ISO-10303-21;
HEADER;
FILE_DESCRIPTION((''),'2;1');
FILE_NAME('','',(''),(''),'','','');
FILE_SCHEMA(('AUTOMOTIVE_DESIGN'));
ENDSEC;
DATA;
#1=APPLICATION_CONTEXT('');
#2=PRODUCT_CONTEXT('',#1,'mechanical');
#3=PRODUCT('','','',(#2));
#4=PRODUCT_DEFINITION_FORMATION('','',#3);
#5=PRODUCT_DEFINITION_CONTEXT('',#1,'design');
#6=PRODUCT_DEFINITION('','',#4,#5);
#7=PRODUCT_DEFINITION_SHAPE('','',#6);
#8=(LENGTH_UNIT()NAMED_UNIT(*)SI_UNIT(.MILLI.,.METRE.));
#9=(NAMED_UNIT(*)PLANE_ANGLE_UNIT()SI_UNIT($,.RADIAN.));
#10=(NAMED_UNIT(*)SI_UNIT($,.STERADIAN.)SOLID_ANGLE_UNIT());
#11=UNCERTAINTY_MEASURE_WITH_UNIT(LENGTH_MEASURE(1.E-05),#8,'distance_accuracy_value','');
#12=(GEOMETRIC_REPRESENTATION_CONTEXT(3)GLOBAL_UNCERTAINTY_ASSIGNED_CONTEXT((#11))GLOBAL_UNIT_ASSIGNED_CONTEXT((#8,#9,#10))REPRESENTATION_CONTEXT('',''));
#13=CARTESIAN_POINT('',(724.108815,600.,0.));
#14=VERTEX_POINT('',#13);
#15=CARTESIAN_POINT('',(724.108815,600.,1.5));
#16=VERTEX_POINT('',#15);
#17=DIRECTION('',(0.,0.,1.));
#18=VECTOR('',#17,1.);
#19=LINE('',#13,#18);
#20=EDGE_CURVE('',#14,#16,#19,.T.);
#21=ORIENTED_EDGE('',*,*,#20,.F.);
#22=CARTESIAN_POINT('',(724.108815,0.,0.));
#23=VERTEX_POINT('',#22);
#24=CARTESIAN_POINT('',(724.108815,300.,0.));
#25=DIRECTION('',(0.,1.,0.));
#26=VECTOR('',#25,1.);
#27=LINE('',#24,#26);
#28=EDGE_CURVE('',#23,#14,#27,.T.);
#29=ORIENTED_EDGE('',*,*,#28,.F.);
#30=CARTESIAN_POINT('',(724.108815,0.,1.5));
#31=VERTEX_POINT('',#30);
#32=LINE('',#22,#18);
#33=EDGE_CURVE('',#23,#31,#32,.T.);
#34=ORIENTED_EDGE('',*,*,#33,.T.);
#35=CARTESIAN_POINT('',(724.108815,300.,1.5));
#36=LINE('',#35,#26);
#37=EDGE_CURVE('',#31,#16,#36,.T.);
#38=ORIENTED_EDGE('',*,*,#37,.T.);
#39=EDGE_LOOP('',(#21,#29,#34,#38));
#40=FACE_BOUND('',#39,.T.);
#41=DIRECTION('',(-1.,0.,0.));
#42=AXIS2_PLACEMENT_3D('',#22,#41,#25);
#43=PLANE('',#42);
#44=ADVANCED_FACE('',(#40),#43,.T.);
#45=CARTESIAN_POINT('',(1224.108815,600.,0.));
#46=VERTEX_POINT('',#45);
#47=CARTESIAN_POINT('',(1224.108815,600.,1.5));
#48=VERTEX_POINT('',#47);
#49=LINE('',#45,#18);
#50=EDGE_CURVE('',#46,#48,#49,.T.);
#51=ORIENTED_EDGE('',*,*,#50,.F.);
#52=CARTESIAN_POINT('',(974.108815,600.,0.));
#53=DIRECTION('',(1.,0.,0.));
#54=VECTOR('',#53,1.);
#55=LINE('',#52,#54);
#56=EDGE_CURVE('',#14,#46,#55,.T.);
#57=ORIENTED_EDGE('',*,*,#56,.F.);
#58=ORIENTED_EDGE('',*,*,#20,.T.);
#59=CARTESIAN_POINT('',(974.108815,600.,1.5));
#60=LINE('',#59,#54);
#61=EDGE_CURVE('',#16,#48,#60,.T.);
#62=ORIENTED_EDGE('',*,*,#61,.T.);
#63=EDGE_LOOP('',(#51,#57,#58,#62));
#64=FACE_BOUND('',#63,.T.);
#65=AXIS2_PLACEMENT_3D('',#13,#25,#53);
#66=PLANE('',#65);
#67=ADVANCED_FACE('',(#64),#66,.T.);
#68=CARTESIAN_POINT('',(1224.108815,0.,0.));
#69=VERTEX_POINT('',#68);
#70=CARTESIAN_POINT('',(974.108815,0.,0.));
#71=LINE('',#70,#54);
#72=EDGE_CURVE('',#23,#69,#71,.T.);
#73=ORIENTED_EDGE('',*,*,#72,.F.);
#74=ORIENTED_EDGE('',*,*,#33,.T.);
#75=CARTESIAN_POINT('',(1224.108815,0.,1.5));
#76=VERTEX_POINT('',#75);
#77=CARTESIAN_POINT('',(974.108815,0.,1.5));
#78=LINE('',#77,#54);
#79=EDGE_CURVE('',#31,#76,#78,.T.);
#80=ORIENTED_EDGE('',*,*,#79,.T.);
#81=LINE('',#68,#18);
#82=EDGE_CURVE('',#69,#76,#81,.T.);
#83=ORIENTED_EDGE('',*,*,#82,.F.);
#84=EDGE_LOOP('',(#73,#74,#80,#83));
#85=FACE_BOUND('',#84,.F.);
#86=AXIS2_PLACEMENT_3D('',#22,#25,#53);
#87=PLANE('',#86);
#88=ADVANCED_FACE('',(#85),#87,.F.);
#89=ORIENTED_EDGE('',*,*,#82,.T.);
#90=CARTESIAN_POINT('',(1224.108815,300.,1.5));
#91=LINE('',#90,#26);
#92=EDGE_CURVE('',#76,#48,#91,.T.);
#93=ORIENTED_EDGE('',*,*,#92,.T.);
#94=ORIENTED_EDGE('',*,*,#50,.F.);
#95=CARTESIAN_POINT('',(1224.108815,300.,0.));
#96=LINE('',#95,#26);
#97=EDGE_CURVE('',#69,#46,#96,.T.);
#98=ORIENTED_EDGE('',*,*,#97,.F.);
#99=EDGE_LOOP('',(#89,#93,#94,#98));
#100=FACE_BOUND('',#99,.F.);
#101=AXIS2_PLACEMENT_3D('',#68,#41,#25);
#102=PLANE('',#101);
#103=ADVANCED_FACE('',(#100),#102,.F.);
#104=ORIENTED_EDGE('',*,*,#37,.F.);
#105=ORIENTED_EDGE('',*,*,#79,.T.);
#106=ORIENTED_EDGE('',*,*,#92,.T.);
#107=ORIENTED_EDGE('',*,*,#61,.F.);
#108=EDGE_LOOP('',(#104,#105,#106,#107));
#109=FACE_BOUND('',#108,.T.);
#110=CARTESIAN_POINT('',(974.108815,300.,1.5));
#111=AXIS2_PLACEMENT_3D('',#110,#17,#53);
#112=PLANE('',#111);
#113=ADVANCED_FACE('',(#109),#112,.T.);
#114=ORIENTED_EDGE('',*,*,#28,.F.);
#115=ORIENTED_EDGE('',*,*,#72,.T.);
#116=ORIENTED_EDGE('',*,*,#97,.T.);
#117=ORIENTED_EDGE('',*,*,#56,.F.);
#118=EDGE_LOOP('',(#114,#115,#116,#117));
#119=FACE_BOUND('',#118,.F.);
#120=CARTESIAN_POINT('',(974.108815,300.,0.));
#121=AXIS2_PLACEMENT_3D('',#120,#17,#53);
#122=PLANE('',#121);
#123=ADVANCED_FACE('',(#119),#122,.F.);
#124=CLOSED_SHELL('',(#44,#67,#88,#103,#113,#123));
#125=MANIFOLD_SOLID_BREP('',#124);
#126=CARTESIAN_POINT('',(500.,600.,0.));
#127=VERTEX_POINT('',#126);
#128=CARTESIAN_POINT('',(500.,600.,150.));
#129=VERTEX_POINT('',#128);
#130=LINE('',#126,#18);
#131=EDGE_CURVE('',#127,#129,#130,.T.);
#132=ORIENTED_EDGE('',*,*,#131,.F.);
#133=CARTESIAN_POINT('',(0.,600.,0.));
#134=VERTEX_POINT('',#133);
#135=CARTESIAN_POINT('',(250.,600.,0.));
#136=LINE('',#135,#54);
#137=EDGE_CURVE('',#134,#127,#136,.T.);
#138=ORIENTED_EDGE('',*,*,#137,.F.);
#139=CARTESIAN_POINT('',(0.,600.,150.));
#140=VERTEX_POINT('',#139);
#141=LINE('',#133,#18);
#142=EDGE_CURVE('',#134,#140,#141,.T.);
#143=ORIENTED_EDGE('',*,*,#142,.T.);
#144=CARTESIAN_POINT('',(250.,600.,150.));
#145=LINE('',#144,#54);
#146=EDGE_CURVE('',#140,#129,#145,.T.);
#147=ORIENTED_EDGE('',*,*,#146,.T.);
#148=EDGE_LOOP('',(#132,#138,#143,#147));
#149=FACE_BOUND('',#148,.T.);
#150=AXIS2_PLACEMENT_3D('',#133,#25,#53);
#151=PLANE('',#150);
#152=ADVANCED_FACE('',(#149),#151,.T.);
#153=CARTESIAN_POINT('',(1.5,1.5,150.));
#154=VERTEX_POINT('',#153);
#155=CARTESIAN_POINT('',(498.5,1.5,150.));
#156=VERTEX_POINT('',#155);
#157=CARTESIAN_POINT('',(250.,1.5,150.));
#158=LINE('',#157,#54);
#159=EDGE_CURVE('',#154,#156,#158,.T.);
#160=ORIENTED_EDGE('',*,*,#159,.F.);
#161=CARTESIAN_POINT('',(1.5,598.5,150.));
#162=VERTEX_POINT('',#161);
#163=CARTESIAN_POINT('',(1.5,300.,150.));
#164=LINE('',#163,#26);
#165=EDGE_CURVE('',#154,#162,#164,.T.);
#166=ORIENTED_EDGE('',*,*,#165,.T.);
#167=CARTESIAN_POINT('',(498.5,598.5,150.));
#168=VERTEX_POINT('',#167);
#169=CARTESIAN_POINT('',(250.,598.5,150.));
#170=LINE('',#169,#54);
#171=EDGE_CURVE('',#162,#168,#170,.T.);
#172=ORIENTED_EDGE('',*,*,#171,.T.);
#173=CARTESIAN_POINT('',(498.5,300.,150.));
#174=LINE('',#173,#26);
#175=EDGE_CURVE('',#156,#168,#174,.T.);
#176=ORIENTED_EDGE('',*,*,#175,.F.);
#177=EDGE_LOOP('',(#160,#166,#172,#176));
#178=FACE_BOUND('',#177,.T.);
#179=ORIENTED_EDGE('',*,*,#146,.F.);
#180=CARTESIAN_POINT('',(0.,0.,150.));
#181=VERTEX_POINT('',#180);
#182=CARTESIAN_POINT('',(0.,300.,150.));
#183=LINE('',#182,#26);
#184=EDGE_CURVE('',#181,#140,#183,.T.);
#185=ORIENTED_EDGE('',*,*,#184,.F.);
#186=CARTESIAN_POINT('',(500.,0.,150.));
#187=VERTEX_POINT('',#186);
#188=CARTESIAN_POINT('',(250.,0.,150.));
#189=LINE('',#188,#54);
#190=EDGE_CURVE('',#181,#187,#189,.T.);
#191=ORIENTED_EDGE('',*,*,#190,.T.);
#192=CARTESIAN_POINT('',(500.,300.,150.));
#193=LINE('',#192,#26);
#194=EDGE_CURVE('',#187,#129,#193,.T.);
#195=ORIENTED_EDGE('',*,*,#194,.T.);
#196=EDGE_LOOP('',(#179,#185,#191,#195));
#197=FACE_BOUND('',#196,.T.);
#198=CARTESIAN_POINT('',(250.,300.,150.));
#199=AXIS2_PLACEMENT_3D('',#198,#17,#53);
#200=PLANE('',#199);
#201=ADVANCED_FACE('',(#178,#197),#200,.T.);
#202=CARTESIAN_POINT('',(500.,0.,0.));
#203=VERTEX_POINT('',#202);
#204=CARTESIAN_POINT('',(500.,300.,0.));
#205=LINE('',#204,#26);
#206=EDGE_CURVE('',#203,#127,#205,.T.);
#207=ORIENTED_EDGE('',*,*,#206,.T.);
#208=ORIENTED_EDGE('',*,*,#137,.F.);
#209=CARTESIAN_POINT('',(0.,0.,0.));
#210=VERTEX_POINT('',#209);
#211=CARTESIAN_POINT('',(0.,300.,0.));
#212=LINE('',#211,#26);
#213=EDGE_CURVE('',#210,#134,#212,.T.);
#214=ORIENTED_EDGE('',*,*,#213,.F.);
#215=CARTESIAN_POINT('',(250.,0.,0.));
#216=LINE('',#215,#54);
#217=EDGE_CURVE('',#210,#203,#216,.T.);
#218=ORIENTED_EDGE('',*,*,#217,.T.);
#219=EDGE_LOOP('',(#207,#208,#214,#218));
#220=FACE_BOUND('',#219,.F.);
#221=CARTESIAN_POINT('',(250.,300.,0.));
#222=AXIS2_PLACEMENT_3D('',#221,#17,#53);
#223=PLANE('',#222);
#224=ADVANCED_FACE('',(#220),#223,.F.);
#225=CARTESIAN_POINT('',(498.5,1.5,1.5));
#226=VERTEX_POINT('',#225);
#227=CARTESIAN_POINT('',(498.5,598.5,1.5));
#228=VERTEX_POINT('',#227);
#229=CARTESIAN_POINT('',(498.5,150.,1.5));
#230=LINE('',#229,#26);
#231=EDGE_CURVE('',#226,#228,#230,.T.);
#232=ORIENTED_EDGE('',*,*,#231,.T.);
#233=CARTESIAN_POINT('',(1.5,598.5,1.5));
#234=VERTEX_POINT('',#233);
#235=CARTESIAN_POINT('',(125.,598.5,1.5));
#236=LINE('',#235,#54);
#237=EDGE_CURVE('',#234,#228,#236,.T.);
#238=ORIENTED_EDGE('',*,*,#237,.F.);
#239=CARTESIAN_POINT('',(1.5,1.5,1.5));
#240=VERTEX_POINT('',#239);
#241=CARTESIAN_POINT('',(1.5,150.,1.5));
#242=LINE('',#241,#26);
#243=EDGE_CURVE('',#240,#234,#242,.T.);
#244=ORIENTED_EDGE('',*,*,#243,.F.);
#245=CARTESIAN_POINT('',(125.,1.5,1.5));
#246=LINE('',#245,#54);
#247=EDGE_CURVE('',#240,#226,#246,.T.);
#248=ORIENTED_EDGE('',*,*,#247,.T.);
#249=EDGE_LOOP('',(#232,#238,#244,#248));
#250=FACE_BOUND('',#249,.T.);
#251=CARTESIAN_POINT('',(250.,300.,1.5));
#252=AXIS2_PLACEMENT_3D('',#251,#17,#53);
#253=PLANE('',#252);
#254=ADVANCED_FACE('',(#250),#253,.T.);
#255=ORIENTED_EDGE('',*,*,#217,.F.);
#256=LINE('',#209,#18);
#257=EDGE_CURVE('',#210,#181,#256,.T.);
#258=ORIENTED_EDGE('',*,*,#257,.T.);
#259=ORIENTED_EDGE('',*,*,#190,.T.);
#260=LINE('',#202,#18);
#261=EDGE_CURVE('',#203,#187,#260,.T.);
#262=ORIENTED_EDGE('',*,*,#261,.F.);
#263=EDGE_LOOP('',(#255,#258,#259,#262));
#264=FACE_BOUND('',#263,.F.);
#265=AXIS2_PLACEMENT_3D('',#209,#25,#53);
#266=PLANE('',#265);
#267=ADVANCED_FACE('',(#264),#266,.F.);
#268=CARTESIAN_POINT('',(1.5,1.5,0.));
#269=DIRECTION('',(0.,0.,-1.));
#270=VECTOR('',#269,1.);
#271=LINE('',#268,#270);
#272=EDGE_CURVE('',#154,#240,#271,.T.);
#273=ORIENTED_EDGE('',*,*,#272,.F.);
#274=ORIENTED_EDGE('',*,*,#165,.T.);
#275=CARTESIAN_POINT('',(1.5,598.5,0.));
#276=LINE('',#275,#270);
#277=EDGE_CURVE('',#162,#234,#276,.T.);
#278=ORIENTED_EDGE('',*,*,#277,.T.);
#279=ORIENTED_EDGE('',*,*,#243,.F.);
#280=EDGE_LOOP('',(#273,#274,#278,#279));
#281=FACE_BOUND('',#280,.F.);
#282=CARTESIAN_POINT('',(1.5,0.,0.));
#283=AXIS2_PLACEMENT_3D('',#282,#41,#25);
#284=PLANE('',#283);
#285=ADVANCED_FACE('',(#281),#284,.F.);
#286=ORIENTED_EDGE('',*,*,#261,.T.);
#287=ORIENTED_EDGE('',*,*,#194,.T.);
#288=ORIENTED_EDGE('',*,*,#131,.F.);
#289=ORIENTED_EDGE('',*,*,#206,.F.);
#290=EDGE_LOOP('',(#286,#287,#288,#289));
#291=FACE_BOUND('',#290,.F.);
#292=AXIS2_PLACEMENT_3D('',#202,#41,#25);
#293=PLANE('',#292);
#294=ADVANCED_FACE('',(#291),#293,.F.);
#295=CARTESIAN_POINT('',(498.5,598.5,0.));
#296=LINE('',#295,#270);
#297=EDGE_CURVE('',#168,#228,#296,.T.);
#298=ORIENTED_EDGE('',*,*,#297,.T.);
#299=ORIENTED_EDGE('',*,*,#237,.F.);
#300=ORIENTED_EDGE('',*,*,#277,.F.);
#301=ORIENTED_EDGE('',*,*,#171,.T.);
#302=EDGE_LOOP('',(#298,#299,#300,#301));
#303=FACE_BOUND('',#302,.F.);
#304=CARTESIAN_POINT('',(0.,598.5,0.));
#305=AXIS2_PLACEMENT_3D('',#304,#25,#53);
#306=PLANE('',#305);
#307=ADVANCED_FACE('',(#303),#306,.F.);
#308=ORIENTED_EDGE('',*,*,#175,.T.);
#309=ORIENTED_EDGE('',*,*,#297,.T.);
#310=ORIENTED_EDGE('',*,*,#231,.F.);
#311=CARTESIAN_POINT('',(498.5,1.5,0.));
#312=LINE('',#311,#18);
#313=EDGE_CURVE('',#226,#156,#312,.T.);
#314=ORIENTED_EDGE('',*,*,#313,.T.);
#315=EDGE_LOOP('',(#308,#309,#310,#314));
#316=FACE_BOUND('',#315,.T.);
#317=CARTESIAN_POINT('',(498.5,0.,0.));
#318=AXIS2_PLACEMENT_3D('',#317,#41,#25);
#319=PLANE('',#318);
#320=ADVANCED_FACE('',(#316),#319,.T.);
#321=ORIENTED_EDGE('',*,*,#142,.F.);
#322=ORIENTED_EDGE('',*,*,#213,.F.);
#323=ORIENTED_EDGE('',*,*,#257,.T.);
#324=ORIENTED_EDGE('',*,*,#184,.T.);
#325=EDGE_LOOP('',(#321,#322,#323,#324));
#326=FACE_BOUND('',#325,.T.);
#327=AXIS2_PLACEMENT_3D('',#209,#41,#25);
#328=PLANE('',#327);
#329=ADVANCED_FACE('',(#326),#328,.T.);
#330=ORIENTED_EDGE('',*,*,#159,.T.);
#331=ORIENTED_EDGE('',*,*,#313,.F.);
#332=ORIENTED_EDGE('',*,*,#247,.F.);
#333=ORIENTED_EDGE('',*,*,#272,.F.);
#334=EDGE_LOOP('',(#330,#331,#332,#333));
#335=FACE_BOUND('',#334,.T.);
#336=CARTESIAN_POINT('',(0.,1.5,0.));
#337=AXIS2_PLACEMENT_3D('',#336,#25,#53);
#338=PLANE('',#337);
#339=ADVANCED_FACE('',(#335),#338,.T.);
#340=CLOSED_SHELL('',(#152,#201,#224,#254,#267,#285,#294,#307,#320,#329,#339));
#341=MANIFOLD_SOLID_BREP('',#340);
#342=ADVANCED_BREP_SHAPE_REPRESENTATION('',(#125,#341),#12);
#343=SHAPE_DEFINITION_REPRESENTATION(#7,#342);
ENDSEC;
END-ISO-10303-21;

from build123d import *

# Parameters (mm, degrees)
F0_W     = 500
F0_H     = 600
F1_DEPTH = 150
F2_T     = -1.5
F3_DEPTH = 1.5


with BuildPart() as f1:
    # F0 (on Top) → F1 (new body)
    with BuildSketch(Plane.XY):
        with Locations((250, 300)):
            Rectangle(F0_W, F0_H)
    extrude(amount=F1_DEPTH)

    # F2
    f2_openings = [f1.faces().sort_by_distance(p)[0] for p in [
        (250, 300, 150),
    ]]
    offset(amount=F2_T, openings=f2_openings)


with BuildPart() as f3:
    # F0 (on Top) → F3 (new body)
    with BuildSketch(Plane.XY):
        with Locations((974.108815, 300)):
            Rectangle(F0_W, F0_H)
    extrude(amount=F3_DEPTH)


solid = Compound([f1.part, f3.part])
